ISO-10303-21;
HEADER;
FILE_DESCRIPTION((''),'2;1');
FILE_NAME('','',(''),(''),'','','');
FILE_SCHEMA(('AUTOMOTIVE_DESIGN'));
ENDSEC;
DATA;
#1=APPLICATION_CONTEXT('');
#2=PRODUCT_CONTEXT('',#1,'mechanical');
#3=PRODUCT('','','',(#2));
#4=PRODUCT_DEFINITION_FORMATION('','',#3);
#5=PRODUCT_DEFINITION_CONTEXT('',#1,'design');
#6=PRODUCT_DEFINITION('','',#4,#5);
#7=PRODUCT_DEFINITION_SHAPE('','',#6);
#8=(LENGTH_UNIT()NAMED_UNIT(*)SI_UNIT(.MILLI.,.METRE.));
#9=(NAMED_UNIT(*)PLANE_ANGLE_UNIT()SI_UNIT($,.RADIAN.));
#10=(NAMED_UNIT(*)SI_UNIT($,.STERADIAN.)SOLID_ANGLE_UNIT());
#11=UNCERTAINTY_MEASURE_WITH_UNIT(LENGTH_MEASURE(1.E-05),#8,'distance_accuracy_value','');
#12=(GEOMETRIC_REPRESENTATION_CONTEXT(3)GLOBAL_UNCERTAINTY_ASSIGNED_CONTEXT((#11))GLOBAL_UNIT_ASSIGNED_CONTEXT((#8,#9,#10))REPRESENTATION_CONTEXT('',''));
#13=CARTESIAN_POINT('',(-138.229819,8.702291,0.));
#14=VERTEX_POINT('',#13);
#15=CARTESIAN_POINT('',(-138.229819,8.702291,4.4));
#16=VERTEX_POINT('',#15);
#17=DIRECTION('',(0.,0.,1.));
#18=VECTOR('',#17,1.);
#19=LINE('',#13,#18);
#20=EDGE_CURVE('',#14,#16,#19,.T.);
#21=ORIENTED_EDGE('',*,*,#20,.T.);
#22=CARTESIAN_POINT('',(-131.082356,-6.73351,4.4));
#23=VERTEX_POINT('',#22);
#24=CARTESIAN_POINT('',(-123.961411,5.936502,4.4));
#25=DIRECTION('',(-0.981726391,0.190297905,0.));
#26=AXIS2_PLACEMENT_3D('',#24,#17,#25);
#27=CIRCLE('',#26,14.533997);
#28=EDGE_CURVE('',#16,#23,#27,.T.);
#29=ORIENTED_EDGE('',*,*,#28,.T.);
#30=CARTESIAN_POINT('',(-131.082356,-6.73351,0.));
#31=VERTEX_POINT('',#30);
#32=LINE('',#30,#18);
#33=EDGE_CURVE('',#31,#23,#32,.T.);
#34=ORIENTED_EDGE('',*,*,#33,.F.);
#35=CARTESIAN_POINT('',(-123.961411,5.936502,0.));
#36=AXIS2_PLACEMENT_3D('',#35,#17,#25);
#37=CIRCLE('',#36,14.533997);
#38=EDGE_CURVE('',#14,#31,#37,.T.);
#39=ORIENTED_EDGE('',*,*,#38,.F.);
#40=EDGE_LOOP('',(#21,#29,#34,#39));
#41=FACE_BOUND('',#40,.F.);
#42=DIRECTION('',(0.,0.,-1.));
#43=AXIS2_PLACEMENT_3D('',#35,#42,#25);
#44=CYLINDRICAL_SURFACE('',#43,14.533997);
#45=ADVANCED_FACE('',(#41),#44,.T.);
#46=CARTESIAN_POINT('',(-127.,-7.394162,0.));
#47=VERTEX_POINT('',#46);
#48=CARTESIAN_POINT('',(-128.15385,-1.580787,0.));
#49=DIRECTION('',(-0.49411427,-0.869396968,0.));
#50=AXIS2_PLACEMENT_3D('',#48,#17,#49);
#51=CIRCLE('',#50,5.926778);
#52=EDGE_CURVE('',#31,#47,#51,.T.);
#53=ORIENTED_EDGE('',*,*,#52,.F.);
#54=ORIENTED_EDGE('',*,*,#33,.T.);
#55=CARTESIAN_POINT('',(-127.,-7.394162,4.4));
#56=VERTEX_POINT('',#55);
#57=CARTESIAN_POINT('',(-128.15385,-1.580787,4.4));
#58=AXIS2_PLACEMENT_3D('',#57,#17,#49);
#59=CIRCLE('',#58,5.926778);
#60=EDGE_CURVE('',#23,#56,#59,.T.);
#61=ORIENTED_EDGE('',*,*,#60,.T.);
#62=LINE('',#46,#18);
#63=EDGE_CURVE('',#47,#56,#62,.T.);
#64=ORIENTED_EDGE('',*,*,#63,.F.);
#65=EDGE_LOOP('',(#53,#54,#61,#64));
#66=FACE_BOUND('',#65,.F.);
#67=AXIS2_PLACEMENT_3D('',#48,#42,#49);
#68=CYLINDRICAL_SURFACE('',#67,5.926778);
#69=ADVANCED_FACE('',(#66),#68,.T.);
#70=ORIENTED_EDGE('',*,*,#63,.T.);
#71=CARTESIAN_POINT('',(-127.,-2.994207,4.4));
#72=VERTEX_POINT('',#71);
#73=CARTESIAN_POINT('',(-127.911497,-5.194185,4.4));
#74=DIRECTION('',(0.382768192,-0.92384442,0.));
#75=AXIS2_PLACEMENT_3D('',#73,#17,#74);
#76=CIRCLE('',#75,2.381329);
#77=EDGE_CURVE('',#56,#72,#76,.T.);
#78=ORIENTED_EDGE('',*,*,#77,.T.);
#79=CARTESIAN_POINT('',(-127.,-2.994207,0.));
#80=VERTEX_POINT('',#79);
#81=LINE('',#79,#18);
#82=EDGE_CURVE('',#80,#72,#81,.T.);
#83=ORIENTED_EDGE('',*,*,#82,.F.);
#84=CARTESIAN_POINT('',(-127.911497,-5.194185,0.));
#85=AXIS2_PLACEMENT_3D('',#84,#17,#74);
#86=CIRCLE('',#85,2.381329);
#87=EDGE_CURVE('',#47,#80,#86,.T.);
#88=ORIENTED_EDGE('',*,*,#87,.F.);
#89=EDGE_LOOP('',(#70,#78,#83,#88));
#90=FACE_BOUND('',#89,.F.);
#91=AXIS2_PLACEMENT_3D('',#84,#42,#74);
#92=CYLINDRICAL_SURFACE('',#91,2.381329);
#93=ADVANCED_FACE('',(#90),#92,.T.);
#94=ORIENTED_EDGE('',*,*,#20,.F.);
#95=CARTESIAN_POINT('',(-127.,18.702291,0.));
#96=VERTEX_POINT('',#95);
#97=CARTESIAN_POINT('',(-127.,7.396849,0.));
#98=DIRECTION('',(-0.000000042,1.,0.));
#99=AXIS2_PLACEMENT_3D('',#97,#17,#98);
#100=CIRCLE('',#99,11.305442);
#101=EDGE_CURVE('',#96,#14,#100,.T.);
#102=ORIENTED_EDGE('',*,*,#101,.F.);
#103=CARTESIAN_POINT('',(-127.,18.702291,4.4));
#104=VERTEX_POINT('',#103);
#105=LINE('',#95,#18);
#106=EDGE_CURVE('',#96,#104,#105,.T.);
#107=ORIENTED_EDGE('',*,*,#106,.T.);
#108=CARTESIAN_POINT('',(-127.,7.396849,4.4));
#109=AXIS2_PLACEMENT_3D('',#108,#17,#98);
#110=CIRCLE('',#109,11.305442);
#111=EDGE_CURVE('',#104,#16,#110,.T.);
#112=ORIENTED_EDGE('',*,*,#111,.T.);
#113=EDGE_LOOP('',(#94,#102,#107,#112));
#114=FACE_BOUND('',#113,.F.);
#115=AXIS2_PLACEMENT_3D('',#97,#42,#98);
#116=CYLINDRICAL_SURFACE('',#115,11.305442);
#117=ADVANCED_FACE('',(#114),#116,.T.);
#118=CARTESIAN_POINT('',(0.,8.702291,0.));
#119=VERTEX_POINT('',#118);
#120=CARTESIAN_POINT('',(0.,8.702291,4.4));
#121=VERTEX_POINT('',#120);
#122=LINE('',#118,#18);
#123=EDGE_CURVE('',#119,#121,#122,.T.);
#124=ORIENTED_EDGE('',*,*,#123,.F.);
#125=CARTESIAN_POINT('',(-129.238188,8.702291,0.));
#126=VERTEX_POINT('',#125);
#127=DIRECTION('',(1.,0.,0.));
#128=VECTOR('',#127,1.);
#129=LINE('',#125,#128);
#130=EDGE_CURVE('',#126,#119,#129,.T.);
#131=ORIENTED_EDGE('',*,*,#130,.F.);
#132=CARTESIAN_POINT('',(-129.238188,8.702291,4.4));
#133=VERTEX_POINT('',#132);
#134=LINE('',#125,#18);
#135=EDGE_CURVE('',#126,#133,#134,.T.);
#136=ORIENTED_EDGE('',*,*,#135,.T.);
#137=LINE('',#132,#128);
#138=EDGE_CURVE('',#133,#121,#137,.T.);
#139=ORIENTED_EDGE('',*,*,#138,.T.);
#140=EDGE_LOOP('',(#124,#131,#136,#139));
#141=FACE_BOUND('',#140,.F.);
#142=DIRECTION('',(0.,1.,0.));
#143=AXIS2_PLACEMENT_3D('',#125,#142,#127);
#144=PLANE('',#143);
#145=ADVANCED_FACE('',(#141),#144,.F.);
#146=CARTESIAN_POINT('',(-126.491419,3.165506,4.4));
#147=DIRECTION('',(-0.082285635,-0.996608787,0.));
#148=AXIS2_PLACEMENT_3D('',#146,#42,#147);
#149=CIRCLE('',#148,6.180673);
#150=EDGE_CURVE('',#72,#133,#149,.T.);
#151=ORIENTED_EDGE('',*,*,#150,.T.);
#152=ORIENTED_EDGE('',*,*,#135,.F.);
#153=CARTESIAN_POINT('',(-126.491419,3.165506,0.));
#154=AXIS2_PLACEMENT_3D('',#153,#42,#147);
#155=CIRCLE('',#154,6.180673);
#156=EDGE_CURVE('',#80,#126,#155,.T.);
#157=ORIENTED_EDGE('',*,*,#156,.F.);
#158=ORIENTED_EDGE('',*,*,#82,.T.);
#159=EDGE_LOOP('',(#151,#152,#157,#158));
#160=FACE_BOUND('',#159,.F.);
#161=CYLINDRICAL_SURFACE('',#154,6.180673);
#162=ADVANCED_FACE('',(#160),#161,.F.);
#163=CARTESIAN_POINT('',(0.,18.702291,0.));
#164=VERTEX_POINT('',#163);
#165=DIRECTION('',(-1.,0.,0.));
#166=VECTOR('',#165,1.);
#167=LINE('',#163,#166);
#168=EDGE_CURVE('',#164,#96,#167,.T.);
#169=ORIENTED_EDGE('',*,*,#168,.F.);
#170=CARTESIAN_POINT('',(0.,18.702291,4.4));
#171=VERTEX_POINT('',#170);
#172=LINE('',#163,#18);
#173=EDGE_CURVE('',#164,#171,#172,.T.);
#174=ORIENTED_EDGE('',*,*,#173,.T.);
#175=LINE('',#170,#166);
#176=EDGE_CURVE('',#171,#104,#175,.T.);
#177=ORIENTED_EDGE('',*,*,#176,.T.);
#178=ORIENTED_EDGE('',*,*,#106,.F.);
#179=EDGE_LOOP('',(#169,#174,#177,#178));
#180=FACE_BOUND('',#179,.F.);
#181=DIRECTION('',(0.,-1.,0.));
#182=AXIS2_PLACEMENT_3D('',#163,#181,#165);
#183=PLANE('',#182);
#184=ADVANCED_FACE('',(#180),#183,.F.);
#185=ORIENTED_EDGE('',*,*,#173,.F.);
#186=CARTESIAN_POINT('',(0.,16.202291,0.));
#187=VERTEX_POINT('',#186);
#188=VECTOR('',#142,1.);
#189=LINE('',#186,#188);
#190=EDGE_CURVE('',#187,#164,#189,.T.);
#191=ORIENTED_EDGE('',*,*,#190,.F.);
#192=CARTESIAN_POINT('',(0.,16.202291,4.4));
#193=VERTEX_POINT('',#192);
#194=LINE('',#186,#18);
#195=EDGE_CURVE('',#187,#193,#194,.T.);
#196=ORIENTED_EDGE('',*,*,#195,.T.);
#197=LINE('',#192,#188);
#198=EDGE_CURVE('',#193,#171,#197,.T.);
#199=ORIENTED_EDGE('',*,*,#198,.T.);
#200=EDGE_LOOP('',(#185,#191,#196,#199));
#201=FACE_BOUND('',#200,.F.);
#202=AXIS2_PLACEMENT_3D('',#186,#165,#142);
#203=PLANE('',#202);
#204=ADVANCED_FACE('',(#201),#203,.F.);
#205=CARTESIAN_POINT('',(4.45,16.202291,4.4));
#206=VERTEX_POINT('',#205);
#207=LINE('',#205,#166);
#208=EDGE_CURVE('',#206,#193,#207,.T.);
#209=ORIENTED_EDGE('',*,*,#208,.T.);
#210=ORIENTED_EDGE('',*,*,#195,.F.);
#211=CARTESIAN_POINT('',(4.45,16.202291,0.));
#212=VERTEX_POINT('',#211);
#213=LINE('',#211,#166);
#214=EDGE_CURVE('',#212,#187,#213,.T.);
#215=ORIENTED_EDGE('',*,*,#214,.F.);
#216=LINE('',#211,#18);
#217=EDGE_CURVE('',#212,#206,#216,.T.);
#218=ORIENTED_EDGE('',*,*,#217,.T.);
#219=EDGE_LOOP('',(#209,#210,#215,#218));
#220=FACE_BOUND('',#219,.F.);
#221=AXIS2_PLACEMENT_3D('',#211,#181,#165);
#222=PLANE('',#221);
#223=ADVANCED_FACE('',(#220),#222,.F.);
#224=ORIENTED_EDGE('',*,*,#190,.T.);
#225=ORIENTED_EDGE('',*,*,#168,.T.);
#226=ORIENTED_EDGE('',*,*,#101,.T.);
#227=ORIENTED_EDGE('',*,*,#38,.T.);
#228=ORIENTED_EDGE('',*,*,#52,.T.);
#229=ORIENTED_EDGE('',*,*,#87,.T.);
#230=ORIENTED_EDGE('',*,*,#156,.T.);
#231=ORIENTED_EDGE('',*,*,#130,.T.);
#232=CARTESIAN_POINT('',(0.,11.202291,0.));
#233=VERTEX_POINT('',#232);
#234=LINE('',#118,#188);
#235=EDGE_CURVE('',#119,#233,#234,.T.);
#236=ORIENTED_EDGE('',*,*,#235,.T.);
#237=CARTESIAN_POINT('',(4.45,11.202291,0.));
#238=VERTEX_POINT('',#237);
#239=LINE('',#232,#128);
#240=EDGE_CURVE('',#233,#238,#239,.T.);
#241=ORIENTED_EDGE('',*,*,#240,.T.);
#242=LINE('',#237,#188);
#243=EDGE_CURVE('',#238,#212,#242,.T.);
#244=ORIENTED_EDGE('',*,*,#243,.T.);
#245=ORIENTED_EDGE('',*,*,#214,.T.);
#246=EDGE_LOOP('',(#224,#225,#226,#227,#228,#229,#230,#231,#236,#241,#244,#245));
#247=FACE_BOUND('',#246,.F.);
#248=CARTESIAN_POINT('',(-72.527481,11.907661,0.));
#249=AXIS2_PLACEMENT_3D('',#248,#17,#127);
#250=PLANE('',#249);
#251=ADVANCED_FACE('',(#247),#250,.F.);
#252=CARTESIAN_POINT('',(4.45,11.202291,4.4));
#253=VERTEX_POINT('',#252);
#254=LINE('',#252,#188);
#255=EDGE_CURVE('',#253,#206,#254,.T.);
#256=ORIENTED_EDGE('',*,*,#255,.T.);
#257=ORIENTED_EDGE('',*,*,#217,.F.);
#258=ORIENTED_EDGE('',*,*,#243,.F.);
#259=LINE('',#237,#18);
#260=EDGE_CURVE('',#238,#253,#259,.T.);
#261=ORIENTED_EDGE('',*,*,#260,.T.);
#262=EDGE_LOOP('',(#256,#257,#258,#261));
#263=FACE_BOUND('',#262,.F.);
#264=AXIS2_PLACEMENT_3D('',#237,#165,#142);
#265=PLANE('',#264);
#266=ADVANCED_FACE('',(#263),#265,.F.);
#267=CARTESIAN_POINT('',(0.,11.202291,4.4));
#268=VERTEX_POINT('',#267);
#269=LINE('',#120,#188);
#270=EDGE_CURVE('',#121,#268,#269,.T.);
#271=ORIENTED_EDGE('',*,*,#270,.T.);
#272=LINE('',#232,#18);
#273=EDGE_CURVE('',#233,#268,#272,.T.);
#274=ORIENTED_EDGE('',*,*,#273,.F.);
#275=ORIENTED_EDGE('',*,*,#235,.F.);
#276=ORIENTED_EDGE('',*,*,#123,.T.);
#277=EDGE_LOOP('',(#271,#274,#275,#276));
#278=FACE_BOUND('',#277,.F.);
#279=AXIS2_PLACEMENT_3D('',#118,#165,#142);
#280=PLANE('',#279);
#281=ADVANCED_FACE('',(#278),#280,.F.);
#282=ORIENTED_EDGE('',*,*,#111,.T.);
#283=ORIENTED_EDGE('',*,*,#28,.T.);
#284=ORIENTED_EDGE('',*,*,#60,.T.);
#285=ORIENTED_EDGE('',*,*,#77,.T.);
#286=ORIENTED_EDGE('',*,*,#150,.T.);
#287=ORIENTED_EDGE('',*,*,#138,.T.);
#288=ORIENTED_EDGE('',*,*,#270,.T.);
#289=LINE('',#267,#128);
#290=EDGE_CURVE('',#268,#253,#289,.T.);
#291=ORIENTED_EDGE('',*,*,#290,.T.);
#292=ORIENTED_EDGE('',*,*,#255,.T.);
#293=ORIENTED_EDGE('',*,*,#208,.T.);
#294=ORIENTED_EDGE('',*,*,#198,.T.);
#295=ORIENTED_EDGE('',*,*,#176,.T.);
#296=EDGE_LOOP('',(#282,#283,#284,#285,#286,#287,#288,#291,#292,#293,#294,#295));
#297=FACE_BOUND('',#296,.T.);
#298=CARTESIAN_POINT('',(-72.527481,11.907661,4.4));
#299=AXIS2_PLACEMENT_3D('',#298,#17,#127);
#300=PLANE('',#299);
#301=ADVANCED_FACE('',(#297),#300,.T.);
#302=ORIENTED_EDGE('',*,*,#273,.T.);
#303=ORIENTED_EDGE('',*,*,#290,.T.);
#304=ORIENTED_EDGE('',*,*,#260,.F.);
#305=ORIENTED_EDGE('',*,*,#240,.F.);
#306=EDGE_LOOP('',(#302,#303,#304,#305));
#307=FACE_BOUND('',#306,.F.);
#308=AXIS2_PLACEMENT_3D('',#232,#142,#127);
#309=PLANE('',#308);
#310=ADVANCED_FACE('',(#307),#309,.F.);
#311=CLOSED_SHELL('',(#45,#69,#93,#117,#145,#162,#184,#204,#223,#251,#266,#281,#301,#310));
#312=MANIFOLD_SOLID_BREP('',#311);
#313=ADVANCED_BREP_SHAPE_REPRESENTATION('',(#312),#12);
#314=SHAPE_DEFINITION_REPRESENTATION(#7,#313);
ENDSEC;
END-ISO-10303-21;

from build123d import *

# Parameters (mm, degrees)
F1_DEPTH = 4.4


with BuildPart() as f1:
    # F0 (on Top) → F1 (new body)
    with BuildSketch(Plane.XY):
        with BuildLine():
            Line((0, 16.202291), (0, 18.702291))
            Line((0, 18.702291), (-127, 18.702291))
            ThreePointArc((-127, 18.702291), (-134.518458, 15.839941), (-138.229819, 8.702291))
            ThreePointArc((-138.229819, 8.702291), (-137.150122, -0.170458), (-131.082356, -6.73351))
            ThreePointArc((-131.082356, -6.73351), (-129.100669, -7.431448), (-127, -7.394162))
            ThreePointArc((-127, -7.394162), (-125.530168, -5.194185), (-127, -2.994207))
            ThreePointArc((-127, -2.994207), (-132.56195, 2.003878), (-129.238188, 8.702291))
            Line((-129.238188, 8.702291), (-122.605346, 8.702291))
            Line((-122.605346, 8.702291), (0, 8.702291))
            Line((0, 8.702291), (0, 11.202291))
            Line((0, 11.202291), (4.45, 11.202291))
            Line((4.45, 11.202291), (4.45, 16.202291))
            Line((4.45, 16.202291), (0, 16.202291))
        make_face()
    extrude(amount=F1_DEPTH)


solid = f1.part
